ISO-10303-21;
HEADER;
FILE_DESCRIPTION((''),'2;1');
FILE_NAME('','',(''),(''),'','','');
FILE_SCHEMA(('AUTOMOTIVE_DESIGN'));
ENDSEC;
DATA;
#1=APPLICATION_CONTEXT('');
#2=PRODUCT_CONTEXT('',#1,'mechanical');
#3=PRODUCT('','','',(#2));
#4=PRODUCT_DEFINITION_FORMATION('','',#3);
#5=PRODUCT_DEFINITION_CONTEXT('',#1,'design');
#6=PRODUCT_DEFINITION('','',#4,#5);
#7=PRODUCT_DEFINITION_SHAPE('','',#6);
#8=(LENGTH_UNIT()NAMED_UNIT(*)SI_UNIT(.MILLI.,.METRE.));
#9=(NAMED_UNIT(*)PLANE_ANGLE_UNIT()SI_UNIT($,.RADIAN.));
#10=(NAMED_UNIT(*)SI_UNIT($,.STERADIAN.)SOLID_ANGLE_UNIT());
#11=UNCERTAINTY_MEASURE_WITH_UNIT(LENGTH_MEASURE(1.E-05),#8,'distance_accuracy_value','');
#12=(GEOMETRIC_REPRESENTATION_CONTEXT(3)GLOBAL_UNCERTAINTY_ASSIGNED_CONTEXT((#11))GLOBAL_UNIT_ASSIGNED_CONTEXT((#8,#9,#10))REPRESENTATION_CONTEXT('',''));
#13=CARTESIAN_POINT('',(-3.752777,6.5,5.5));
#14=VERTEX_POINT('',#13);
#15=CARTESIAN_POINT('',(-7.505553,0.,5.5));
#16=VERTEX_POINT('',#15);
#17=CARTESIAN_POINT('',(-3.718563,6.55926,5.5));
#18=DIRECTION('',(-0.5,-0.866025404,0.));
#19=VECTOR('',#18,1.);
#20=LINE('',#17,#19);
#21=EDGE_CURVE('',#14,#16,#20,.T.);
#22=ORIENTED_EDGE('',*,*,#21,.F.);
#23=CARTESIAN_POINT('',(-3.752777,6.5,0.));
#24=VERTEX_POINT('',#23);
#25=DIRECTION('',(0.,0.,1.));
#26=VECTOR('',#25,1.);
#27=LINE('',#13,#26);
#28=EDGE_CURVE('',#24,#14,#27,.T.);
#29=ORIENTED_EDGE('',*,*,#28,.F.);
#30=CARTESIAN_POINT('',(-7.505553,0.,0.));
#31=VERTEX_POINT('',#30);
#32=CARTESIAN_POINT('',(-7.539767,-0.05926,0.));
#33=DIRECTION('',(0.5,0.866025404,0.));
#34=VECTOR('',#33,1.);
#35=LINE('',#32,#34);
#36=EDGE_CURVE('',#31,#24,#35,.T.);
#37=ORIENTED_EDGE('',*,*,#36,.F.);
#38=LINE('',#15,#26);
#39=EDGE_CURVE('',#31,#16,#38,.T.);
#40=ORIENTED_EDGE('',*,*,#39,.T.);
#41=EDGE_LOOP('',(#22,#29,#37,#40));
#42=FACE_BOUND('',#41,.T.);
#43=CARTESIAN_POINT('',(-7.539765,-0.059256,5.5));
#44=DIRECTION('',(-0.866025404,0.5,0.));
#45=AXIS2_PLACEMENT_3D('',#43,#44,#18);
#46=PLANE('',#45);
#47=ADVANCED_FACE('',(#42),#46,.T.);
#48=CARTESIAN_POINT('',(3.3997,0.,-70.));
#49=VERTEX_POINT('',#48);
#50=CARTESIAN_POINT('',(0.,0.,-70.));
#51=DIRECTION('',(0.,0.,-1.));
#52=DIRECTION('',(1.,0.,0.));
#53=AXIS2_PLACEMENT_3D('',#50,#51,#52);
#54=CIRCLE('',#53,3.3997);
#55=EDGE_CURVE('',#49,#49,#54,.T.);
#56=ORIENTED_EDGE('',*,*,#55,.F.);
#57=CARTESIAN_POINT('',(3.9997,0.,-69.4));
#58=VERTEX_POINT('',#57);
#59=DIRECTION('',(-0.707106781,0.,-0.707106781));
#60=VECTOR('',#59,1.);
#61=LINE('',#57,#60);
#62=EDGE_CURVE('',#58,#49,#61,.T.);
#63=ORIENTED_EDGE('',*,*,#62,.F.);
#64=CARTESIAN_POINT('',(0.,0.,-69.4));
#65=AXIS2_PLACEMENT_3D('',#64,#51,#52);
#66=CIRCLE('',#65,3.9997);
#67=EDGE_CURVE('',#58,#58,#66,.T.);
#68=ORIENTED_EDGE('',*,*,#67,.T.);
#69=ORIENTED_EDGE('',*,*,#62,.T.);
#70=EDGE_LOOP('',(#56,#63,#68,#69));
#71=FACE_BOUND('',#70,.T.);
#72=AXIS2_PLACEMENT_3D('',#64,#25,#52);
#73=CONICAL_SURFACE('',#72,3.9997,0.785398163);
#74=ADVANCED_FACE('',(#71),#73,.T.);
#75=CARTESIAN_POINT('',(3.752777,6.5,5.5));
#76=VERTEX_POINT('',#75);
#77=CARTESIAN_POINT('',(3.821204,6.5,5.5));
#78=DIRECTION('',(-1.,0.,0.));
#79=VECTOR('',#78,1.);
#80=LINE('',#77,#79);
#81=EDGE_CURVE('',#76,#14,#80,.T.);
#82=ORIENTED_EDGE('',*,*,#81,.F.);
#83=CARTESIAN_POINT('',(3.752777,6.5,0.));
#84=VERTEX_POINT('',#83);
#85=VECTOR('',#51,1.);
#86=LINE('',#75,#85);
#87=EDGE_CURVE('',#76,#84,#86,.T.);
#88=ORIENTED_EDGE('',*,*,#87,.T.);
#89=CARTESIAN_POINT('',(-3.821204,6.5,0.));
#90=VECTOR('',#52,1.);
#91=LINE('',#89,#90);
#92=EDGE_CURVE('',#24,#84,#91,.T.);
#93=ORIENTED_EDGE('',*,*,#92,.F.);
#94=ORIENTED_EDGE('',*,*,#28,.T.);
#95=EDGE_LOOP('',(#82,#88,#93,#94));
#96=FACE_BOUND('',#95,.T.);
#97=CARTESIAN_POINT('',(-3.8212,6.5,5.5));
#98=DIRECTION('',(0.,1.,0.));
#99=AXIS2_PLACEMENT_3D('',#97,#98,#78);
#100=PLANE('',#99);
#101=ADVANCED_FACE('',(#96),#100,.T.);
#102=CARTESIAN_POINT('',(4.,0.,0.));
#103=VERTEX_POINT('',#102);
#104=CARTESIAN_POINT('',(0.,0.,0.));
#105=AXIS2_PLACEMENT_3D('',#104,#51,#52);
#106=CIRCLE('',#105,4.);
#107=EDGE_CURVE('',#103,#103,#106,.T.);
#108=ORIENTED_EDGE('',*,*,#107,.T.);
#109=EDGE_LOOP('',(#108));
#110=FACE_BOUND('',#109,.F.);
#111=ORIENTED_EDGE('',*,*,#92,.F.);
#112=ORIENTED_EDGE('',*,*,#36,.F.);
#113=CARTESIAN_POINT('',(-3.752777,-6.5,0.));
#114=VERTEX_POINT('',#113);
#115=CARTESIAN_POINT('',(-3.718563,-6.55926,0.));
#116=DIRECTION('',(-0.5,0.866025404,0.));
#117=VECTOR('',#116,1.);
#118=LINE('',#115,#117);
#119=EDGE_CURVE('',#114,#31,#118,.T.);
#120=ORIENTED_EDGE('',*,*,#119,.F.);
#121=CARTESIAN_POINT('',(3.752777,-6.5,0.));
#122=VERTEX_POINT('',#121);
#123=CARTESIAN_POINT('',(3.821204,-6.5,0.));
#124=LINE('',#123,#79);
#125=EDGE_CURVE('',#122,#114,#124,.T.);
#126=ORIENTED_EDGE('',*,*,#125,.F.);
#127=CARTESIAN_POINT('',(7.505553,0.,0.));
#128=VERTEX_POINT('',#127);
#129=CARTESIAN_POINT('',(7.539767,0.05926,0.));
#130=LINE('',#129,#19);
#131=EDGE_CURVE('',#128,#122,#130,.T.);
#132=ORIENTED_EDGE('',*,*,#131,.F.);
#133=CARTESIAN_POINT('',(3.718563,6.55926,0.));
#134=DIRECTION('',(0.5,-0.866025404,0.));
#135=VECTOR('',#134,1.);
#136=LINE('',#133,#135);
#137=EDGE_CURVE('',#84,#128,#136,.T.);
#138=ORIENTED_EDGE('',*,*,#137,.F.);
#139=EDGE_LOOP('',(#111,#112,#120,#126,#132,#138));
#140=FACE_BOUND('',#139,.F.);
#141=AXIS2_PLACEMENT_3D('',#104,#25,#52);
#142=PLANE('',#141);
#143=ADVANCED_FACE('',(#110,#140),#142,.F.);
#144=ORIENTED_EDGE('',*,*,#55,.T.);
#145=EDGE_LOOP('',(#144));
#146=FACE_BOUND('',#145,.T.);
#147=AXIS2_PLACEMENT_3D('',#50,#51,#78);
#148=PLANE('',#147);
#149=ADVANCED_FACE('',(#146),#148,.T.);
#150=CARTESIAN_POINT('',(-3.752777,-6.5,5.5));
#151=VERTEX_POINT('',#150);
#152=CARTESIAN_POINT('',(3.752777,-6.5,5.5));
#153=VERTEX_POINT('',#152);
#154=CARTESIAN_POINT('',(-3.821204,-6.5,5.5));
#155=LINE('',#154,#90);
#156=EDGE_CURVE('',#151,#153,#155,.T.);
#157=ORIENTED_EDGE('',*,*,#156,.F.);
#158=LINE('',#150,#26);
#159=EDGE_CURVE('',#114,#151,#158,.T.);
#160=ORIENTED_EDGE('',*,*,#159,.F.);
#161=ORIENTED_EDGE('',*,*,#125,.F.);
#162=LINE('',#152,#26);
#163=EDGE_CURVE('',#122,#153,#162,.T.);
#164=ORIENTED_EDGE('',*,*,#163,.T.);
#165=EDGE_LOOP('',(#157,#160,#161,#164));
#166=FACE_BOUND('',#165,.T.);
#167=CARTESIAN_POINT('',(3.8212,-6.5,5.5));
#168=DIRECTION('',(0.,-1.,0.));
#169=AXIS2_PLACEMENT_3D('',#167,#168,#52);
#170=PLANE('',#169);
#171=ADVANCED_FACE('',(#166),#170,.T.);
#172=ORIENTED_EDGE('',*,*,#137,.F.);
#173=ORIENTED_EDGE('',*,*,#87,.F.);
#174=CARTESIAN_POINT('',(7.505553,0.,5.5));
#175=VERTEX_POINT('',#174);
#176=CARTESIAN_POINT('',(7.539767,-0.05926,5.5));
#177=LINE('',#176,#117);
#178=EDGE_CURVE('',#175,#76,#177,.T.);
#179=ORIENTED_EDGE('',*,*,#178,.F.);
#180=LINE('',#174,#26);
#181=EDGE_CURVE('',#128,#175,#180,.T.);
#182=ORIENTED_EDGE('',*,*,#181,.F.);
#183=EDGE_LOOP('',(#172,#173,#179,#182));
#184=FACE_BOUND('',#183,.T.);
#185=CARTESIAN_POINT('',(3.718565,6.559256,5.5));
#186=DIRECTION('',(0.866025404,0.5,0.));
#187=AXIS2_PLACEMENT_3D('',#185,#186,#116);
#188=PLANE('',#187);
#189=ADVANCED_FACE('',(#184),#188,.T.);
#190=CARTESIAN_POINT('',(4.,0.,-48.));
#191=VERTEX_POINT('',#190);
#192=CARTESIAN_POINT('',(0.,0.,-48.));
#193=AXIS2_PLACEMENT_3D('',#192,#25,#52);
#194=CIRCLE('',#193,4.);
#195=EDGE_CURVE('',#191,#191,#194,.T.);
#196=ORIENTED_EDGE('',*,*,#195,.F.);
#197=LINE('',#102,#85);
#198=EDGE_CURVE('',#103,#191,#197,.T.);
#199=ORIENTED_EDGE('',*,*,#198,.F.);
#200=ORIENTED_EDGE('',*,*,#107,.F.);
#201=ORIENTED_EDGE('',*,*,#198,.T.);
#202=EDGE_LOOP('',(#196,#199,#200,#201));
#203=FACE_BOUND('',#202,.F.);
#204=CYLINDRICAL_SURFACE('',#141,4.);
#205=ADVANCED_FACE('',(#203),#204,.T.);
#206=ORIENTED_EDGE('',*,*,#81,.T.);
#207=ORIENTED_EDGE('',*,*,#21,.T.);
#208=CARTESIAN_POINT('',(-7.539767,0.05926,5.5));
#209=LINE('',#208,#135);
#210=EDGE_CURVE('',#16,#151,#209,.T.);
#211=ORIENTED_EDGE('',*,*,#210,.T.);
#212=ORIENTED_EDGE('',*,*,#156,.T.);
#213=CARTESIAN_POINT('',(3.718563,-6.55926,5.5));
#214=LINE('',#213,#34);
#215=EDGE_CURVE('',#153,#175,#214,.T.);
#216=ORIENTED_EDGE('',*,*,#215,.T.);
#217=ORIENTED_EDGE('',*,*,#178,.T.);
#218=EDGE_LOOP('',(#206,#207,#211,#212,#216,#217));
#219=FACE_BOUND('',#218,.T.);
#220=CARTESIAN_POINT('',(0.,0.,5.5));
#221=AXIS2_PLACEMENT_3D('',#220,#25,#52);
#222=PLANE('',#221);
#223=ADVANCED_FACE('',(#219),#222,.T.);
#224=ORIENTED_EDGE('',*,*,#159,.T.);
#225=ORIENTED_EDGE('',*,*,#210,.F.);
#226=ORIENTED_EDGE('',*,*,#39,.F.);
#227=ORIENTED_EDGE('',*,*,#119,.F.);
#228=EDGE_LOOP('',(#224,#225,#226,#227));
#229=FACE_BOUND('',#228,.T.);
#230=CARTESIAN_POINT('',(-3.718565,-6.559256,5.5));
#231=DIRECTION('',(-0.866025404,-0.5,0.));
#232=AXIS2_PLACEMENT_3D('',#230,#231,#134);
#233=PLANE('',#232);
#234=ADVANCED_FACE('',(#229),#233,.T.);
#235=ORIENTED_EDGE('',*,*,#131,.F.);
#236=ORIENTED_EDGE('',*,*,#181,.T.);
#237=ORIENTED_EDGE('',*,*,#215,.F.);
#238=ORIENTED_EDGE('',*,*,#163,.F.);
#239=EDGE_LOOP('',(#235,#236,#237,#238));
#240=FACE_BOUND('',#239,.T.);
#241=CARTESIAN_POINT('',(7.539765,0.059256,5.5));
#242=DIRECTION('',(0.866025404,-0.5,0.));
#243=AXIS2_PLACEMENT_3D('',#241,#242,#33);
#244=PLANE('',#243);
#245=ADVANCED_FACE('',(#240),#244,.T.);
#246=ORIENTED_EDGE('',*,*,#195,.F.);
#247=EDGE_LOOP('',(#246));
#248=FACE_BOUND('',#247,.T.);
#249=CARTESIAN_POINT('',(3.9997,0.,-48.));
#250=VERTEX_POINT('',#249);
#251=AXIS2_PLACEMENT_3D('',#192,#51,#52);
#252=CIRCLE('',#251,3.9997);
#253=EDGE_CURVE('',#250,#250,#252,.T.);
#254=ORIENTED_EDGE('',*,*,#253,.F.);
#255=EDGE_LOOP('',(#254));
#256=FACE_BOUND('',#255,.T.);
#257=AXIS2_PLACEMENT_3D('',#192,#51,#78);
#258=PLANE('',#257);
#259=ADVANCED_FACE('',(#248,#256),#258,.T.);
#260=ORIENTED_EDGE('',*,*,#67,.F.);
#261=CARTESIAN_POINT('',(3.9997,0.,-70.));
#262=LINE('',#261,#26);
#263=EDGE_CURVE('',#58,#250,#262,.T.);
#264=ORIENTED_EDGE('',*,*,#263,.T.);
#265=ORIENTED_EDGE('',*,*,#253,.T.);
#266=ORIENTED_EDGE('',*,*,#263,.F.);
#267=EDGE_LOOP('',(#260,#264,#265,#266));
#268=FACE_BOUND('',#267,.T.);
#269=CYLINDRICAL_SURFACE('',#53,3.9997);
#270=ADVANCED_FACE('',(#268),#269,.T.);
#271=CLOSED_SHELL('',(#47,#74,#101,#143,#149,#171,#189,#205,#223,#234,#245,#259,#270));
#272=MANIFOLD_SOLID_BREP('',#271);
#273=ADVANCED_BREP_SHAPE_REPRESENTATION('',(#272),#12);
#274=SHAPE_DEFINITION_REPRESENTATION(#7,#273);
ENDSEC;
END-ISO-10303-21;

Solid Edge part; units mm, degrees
sketch "Sketch1" plane through (0, 0, 0) normal (0, 0, 1) x (1, 0, 0)
  circle A0 centre (0, 0) radius 7.54
  dimension "D1" = 15.08
extrude "Protrusion1" add sketch "Sketch1" along normal blind 5.5
sketch "Sketch2" plane through (0, 0, 0) normal (0, 0, -1) x (1, 0, 0)
  circle A0 centre (0, 0) radius 4
extrude "Protrusion2" add sketch "Sketch2" along normal blind 70
sketch "Sketch3" plane through (0, 0, -70) normal (0, 0, -1) x (1, 0, 0)
  circle A0 centre (0, 0) radius 3.9997
extrude "Cutout1" cut sketch "Sketch3" against normal blind 22 flip side to cut
chamfer "Chamfer_1" distance 0.6 angle 45 1 edges at (-3.9997, 0, -70)
sketch "Sketch4" plane through (0, 0, 5.5) normal (0, 0, 1) x (1, 0, 0)
  line L0 (-3.8212, 6.5) -> (3.8212, 6.5)
  dimension "D1" = 13
extrude "Cutout2" cut sketch "Sketch4" against normal up to next material side at (0, 6.55, 5.5)
pattern_circular "Pattern1" count 6 over 360 about axis through (0, 0, 5.5) along (0, 0, 1) of "Cutout2"
properties part number "24106028"
